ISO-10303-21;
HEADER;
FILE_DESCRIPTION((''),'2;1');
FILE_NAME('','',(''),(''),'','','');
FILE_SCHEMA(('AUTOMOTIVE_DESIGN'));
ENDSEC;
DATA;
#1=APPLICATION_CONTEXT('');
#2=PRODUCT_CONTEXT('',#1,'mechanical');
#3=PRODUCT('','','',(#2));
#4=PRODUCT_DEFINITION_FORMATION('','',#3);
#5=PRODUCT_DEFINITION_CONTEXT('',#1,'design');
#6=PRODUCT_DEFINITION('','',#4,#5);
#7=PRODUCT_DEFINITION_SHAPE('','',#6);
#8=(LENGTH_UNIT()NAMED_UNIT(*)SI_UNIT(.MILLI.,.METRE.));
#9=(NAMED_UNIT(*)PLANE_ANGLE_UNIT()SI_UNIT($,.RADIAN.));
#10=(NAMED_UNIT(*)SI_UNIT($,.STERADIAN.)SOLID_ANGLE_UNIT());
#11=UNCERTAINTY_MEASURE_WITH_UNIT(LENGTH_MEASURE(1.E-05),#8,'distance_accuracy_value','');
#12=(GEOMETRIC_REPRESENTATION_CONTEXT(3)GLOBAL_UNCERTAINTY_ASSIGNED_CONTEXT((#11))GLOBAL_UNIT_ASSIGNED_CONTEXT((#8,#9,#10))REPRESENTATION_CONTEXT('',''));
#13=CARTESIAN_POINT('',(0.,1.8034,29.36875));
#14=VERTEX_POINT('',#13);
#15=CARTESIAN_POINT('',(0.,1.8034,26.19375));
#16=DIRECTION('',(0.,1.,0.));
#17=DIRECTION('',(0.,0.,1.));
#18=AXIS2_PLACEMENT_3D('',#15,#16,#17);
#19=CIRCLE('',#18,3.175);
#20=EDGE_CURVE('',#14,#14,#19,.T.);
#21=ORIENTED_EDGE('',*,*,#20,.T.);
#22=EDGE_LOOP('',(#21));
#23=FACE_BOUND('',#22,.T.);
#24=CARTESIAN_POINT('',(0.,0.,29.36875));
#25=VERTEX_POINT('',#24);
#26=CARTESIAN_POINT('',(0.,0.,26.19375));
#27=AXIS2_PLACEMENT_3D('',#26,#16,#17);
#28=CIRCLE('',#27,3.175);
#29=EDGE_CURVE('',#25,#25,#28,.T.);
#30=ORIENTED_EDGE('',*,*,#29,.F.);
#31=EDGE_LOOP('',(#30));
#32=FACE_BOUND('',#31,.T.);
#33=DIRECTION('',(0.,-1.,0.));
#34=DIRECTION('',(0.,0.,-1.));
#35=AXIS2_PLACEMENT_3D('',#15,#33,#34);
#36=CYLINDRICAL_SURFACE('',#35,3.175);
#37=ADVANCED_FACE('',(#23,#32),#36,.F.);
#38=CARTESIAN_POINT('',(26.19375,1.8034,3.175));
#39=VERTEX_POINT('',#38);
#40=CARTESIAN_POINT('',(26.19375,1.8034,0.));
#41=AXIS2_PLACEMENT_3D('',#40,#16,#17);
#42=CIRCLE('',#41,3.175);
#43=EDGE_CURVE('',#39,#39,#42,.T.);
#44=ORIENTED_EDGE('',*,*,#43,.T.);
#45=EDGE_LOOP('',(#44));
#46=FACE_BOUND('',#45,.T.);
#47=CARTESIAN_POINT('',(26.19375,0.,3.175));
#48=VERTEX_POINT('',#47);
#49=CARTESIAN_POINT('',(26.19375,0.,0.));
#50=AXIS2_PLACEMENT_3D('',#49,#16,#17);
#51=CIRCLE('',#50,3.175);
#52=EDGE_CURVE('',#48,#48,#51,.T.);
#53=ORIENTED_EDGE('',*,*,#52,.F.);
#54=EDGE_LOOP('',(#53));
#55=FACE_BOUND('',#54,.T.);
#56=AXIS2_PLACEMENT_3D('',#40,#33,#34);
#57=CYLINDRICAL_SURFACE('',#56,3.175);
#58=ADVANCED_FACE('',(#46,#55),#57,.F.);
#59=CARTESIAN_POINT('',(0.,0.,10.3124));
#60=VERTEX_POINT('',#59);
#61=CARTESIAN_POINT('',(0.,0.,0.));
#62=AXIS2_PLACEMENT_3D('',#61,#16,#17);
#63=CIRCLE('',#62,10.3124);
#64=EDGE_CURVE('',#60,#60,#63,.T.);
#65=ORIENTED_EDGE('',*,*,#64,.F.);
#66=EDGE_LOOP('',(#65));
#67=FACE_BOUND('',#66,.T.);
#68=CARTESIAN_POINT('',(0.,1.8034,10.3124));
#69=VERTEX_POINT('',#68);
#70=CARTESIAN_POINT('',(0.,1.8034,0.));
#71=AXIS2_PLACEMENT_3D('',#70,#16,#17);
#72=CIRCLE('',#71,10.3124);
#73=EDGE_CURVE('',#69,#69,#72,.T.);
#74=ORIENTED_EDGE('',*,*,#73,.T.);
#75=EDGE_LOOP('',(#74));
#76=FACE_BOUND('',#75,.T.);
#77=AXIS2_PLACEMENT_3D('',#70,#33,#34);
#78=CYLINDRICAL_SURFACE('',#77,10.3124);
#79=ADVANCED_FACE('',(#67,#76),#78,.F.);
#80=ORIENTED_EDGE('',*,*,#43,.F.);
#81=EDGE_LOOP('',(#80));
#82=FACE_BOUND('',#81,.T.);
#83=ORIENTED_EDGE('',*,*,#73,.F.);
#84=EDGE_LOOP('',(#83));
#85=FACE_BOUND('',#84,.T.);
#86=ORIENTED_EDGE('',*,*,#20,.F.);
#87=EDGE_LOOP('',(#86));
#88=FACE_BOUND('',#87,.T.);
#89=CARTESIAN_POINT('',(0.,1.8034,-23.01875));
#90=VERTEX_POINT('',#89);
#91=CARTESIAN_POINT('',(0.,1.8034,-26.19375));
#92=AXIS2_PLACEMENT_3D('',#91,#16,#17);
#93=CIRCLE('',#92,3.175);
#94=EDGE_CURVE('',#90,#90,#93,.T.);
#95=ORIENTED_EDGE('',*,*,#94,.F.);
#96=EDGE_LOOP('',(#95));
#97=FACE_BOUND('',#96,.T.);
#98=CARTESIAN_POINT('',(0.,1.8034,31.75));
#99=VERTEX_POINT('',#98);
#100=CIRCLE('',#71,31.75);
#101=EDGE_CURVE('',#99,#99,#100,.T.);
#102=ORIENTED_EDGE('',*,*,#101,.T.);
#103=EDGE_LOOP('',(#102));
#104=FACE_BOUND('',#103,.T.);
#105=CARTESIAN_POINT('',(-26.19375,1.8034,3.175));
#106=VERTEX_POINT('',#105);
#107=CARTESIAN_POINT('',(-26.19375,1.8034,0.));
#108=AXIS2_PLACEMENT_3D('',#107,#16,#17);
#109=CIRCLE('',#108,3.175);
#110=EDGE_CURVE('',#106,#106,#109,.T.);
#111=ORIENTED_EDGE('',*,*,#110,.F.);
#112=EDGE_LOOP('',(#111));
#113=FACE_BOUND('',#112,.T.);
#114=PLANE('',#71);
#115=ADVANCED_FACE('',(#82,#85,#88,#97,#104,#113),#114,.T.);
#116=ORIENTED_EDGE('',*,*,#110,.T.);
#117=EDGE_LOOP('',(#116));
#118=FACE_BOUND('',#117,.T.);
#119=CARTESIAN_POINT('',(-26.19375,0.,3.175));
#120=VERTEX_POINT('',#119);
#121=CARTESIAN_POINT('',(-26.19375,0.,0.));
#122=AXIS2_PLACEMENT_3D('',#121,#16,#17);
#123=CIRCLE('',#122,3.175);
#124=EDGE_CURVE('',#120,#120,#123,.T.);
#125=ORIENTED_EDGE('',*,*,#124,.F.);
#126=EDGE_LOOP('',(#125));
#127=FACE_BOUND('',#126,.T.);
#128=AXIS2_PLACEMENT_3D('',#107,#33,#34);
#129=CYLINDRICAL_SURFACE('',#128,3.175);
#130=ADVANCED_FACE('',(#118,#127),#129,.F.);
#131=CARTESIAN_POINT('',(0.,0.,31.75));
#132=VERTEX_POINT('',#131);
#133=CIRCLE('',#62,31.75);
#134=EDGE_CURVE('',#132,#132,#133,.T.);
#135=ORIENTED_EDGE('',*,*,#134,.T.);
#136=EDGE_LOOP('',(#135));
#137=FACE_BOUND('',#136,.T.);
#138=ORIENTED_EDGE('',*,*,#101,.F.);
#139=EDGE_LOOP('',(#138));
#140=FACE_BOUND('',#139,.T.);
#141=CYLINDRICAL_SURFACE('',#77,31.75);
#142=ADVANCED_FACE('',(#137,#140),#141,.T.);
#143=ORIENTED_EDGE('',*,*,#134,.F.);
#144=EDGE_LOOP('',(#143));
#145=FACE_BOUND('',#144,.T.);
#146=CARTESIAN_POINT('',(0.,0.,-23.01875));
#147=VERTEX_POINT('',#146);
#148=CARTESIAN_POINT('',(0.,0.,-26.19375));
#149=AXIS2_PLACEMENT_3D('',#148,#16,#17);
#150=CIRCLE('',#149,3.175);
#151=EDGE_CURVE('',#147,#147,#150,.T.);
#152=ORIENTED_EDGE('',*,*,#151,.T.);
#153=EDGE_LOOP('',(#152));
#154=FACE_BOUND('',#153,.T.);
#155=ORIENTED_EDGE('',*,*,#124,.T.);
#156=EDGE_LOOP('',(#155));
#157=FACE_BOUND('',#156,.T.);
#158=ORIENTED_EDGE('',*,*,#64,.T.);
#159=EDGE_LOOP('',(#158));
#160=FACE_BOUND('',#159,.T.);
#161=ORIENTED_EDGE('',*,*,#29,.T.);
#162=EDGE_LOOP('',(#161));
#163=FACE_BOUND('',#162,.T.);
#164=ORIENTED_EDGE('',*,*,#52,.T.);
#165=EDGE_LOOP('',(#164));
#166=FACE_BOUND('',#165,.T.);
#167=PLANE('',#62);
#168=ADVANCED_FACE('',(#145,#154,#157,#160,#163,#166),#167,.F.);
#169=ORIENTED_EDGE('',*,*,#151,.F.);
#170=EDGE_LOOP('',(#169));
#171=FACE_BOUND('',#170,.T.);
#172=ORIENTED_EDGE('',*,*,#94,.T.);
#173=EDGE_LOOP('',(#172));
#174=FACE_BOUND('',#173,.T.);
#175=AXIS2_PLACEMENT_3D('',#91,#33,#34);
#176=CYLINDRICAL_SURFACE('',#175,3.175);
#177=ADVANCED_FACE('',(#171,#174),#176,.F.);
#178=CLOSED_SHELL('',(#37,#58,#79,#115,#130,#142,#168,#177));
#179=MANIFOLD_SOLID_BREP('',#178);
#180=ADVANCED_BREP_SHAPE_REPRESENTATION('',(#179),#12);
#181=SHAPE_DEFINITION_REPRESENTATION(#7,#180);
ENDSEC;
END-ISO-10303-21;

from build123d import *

# Parameters (mm, degrees)
SKETCH1_R           = 31.75
SKETCH1_R_2         = 10.3124
SKETCH1_R_3         = 3.175
BOSS_EXTRUDE1_DEPTH = 1.8034


with BuildPart() as part:
    # Sketch1 → Boss-Extrude1 (new body)
    with BuildSketch(Plane(origin=(0, 0, 0), x_dir=(1, 0, 0), z_dir=(0, 1, 0))):
        Circle(SKETCH1_R)
        Circle(SKETCH1_R_2, mode=Mode.SUBTRACT)
        with Locations((0, -26.19375)):
            Circle(SKETCH1_R_3, mode=Mode.SUBTRACT)
        with Locations((-26.19375, 0)):
            Circle(SKETCH1_R_3, mode=Mode.SUBTRACT)
        with Locations((0, 26.19375)):
            Circle(SKETCH1_R_3, mode=Mode.SUBTRACT)
        with Locations((26.19375, 0)):
            Circle(SKETCH1_R_3, mode=Mode.SUBTRACT)
    extrude(amount=BOSS_EXTRUDE1_DEPTH)


solid = part.part
